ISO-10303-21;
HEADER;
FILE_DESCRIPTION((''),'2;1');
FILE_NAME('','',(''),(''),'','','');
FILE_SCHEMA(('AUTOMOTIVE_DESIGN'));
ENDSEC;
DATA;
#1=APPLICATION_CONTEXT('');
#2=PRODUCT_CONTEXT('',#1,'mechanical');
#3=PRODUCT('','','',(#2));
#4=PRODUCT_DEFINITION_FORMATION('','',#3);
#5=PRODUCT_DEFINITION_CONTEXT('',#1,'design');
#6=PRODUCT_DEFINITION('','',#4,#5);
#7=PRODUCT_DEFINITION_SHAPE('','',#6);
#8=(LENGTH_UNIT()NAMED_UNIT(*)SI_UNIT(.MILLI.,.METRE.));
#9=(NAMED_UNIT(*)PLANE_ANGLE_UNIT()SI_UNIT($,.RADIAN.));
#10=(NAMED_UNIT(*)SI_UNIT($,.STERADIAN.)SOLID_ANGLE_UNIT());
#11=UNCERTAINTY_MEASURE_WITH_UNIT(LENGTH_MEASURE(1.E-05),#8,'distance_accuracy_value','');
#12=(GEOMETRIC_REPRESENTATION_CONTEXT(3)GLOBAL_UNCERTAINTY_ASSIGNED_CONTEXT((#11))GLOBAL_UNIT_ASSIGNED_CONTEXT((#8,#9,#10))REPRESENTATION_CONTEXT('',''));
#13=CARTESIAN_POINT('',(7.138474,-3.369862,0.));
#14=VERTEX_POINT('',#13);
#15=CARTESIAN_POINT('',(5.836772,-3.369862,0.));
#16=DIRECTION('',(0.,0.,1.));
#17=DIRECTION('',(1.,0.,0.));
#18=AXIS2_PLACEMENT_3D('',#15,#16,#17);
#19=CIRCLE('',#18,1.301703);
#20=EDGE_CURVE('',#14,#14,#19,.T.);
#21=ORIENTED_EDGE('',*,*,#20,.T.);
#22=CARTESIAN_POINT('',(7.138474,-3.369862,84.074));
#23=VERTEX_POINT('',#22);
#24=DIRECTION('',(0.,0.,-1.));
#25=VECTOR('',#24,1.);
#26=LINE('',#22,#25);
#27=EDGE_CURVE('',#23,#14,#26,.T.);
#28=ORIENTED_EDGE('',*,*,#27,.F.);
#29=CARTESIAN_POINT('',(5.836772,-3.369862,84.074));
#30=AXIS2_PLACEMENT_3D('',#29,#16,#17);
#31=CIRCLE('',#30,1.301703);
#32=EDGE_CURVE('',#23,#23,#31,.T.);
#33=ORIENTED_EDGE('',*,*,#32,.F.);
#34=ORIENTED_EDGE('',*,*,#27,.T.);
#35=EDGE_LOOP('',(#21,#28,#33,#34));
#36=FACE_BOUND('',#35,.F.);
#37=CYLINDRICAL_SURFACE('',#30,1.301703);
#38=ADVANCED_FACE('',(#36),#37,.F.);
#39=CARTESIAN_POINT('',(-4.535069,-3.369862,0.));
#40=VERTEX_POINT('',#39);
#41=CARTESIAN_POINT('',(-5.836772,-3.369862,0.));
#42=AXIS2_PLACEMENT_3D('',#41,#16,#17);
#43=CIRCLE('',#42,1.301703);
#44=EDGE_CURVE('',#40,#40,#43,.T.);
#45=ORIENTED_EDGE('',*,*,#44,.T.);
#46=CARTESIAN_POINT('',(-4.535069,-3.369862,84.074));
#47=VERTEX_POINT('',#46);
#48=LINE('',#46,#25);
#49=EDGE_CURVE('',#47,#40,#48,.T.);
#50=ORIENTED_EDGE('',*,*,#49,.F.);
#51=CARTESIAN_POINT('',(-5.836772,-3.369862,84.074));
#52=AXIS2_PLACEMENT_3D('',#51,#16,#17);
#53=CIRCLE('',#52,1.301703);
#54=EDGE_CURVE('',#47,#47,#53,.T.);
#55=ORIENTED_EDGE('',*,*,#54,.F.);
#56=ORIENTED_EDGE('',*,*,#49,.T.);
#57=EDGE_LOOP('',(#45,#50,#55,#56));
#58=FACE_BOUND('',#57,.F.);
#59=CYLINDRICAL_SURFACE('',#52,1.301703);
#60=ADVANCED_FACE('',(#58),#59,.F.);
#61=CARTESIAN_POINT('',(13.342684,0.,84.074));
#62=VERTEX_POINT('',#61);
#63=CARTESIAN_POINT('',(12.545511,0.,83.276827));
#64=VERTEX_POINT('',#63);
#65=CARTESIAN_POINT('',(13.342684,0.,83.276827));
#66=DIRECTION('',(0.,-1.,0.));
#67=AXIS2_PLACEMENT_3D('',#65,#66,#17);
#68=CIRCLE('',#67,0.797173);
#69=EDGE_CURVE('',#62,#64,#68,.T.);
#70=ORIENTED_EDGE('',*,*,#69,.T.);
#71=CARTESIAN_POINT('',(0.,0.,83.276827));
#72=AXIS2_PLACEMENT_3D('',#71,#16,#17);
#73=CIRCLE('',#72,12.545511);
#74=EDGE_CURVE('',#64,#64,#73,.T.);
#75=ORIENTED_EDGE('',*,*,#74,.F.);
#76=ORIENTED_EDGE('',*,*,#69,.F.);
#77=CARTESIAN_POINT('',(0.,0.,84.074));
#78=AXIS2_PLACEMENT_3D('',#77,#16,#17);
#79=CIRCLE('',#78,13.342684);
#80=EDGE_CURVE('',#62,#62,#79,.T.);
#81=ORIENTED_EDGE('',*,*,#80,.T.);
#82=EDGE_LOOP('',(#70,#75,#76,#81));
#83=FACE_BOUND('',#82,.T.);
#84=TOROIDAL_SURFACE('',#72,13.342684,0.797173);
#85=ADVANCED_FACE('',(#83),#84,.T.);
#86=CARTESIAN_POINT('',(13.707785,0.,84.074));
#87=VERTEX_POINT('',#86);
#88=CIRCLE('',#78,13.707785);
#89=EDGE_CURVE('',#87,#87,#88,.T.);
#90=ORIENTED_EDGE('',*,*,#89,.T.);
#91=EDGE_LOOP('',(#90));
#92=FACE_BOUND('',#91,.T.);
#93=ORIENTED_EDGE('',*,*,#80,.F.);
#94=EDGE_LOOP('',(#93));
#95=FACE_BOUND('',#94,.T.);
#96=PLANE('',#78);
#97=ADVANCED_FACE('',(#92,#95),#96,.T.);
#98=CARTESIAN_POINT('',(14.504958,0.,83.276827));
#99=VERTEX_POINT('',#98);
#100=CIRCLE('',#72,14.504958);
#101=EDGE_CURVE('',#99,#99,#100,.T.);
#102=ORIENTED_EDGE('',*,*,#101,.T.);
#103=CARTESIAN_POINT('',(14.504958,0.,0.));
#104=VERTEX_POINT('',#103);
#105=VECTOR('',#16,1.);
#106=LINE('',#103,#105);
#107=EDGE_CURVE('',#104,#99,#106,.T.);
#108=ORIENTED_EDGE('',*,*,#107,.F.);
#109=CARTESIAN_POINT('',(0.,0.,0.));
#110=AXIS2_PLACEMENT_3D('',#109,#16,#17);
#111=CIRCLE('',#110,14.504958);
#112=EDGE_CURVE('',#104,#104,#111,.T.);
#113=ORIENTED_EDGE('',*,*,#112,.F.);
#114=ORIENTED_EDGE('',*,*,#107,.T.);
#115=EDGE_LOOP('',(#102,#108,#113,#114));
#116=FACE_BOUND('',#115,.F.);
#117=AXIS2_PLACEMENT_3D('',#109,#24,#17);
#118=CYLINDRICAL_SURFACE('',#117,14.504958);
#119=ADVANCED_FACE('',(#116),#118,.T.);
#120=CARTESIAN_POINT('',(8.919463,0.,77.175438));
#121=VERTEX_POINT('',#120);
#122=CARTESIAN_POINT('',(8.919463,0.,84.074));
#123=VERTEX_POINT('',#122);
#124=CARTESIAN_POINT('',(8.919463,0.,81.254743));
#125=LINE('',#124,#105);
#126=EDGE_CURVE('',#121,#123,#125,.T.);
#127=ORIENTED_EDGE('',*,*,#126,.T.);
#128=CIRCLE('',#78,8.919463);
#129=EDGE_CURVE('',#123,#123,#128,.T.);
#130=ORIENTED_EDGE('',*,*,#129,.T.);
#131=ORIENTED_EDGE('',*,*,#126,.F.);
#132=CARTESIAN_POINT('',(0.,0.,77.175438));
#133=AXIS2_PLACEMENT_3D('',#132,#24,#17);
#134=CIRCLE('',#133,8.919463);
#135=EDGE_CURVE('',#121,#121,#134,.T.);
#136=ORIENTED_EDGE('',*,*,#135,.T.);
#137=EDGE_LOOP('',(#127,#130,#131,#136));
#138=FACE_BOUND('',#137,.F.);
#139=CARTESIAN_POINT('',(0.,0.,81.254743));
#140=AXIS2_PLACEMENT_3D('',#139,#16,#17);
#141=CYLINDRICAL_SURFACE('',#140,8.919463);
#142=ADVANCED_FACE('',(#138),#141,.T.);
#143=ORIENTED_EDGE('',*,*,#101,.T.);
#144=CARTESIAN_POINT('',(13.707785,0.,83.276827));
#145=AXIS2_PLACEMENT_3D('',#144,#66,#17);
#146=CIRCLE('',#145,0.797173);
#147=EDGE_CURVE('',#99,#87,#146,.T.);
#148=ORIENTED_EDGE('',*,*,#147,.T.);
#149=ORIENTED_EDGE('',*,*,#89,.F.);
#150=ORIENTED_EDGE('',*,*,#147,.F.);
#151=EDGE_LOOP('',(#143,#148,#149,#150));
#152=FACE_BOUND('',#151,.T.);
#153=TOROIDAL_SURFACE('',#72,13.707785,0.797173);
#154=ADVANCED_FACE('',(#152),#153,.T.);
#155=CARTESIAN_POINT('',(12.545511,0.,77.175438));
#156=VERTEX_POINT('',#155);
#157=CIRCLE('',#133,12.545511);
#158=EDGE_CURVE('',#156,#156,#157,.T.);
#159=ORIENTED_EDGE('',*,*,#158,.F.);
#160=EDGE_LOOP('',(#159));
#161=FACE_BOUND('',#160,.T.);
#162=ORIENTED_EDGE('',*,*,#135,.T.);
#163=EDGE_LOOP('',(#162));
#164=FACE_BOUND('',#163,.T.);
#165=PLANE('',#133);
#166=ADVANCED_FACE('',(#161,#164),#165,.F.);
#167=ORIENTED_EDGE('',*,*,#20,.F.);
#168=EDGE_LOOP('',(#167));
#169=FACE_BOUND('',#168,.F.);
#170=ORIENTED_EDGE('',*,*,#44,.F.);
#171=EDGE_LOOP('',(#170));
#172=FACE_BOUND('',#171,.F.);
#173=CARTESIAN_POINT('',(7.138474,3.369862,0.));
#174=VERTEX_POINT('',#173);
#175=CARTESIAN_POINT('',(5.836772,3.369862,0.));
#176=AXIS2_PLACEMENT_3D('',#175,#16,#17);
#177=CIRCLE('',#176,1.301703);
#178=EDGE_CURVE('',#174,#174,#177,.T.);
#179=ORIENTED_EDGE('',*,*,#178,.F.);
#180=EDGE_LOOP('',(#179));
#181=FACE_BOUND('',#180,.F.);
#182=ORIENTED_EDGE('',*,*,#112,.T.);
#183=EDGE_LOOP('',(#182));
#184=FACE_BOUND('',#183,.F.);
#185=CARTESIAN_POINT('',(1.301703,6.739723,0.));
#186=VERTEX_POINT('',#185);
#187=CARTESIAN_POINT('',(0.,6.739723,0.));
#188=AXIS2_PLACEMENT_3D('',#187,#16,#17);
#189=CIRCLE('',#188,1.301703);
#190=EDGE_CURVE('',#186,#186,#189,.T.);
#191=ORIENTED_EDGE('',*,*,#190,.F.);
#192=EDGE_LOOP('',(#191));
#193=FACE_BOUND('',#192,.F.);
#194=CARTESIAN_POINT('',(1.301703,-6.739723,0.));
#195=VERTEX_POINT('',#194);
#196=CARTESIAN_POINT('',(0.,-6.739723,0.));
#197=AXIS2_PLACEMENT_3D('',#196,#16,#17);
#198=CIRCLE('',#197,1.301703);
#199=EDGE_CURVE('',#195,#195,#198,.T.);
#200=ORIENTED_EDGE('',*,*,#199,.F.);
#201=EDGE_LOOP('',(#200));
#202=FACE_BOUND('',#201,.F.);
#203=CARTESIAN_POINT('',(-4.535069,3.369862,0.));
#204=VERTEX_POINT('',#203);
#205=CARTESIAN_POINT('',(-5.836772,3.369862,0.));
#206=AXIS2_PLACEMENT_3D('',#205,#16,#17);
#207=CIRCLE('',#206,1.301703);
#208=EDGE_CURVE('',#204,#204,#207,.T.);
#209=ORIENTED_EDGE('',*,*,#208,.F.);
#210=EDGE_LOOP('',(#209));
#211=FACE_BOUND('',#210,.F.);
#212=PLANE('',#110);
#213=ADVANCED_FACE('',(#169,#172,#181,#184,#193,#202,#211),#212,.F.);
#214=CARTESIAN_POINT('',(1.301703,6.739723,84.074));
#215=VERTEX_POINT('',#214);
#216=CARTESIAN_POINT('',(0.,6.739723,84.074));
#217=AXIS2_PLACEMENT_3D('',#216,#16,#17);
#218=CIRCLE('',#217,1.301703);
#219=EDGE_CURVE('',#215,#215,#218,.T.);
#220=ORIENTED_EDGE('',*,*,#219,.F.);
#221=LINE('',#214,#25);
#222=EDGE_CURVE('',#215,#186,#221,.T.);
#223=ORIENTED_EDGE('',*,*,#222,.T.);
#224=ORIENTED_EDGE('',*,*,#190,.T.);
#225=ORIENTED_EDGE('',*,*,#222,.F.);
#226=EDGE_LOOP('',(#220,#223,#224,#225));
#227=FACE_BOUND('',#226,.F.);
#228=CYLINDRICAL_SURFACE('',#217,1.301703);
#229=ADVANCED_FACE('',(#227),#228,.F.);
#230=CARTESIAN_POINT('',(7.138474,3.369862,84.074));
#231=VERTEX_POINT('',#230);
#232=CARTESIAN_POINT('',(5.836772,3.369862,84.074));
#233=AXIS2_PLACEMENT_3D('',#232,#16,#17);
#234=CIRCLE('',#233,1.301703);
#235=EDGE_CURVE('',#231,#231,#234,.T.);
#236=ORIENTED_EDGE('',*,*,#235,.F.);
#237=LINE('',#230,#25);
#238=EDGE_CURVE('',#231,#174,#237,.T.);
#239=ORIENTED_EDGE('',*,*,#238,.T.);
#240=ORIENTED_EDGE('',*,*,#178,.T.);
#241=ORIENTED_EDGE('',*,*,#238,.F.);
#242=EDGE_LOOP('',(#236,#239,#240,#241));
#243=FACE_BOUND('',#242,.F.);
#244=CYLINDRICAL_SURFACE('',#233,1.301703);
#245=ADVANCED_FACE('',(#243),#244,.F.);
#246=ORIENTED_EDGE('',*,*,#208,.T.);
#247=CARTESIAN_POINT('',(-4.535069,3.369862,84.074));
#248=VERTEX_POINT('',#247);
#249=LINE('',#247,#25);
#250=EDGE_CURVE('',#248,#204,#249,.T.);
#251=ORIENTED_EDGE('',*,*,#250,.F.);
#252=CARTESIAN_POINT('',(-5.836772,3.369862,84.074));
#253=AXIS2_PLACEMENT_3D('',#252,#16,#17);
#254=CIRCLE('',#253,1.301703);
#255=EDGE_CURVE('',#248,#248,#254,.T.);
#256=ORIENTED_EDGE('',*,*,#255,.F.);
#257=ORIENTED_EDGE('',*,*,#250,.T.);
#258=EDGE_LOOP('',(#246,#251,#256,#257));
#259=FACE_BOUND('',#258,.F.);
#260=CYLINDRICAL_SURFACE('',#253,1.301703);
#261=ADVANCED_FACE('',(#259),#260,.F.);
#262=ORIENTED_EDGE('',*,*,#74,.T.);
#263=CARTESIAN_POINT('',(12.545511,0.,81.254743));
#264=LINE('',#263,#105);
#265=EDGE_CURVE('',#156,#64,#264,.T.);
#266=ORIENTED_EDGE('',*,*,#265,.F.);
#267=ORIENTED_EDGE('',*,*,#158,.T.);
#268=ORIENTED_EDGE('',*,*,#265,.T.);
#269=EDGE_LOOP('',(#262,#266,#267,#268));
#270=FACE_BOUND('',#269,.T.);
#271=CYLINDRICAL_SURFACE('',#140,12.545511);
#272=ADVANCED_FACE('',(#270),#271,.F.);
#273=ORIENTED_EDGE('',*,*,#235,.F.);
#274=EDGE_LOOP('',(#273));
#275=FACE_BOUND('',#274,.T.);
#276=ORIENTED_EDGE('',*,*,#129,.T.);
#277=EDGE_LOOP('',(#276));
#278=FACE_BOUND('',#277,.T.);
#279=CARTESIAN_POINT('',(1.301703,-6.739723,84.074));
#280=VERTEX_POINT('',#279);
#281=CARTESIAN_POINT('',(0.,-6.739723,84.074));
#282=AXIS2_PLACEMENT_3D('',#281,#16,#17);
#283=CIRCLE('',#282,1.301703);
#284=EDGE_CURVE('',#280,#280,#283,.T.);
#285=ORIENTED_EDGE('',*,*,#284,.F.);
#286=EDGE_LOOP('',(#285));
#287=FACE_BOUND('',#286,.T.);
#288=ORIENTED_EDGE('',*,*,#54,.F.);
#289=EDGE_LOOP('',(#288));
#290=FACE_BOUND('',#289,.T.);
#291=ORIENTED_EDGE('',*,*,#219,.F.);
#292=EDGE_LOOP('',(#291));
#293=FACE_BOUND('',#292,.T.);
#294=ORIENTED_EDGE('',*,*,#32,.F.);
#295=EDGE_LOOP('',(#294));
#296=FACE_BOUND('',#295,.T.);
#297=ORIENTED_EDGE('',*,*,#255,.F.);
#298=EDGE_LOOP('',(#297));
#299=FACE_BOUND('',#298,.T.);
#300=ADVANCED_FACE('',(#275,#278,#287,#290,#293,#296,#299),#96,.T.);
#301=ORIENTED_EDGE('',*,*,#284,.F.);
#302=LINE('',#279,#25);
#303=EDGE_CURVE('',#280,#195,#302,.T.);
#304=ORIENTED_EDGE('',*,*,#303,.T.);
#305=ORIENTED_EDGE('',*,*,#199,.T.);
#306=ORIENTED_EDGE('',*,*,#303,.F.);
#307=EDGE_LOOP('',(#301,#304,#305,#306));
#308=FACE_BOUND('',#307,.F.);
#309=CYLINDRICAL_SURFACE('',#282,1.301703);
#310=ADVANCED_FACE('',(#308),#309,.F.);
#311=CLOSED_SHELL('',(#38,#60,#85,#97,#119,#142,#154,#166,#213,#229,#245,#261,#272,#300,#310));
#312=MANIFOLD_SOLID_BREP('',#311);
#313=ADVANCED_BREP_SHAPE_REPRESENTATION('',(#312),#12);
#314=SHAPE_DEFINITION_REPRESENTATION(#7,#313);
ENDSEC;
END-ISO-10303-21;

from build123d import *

# Parameters (mm, degrees)
F0_R     = 14.5049581744
F1_DEPTH = 84.074
F2_R     = 1.301702719
F3_DEPTH = 84.075
F4_W     = 3.6260485649
F4_H     = 8.158609271
F6_R     = 0.7971733183


with BuildPart() as f1:
    # F0 (on Top) → F1 (new body)
    with BuildSketch(Plane.XY):
        Circle(F0_R)
    extrude(amount=F1_DEPTH)

    # F2 (on face) → F3 (cut, through all)
    with BuildSketch(Plane.XY.offset(84.074)):
        with Locations((0, 6.7397234961)):
            Circle(F2_R)
        with Locations((5.8367717621, 3.3698617481)):
            Circle(F2_R)
        with Locations((5.8367717621, -3.3698617481)):
            Circle(F2_R)
        with Locations((0, -6.7397234961)):
            Circle(F2_R)
        with Locations((-5.8367717621, -3.3698617481)):
            Circle(F2_R)
        with Locations((-5.8367717621, 3.3698617481)):
            Circle(F2_R)
    extrude(amount=-F3_DEPTH, mode=Mode.SUBTRACT)

    # F4 (on Front) → F5 (revolve, cut)
    with BuildSketch(Plane.XZ):
        with Locations((10.7324868441, 81.2547430396)):
            Rectangle(F4_W, F4_H)
    revolve(axis=Axis((0, 0, 0), (0, 0, -1)), mode=Mode.SUBTRACT)

    # F6
    f6_edges = [f1.edges().sort_by_distance(p)[0] for p in [
        (-14.504958, 0, 84.074),
        (-12.545511, 0, 84.074),
    ]]
    fillet(f6_edges, radius=F6_R)


solid = f1.part
